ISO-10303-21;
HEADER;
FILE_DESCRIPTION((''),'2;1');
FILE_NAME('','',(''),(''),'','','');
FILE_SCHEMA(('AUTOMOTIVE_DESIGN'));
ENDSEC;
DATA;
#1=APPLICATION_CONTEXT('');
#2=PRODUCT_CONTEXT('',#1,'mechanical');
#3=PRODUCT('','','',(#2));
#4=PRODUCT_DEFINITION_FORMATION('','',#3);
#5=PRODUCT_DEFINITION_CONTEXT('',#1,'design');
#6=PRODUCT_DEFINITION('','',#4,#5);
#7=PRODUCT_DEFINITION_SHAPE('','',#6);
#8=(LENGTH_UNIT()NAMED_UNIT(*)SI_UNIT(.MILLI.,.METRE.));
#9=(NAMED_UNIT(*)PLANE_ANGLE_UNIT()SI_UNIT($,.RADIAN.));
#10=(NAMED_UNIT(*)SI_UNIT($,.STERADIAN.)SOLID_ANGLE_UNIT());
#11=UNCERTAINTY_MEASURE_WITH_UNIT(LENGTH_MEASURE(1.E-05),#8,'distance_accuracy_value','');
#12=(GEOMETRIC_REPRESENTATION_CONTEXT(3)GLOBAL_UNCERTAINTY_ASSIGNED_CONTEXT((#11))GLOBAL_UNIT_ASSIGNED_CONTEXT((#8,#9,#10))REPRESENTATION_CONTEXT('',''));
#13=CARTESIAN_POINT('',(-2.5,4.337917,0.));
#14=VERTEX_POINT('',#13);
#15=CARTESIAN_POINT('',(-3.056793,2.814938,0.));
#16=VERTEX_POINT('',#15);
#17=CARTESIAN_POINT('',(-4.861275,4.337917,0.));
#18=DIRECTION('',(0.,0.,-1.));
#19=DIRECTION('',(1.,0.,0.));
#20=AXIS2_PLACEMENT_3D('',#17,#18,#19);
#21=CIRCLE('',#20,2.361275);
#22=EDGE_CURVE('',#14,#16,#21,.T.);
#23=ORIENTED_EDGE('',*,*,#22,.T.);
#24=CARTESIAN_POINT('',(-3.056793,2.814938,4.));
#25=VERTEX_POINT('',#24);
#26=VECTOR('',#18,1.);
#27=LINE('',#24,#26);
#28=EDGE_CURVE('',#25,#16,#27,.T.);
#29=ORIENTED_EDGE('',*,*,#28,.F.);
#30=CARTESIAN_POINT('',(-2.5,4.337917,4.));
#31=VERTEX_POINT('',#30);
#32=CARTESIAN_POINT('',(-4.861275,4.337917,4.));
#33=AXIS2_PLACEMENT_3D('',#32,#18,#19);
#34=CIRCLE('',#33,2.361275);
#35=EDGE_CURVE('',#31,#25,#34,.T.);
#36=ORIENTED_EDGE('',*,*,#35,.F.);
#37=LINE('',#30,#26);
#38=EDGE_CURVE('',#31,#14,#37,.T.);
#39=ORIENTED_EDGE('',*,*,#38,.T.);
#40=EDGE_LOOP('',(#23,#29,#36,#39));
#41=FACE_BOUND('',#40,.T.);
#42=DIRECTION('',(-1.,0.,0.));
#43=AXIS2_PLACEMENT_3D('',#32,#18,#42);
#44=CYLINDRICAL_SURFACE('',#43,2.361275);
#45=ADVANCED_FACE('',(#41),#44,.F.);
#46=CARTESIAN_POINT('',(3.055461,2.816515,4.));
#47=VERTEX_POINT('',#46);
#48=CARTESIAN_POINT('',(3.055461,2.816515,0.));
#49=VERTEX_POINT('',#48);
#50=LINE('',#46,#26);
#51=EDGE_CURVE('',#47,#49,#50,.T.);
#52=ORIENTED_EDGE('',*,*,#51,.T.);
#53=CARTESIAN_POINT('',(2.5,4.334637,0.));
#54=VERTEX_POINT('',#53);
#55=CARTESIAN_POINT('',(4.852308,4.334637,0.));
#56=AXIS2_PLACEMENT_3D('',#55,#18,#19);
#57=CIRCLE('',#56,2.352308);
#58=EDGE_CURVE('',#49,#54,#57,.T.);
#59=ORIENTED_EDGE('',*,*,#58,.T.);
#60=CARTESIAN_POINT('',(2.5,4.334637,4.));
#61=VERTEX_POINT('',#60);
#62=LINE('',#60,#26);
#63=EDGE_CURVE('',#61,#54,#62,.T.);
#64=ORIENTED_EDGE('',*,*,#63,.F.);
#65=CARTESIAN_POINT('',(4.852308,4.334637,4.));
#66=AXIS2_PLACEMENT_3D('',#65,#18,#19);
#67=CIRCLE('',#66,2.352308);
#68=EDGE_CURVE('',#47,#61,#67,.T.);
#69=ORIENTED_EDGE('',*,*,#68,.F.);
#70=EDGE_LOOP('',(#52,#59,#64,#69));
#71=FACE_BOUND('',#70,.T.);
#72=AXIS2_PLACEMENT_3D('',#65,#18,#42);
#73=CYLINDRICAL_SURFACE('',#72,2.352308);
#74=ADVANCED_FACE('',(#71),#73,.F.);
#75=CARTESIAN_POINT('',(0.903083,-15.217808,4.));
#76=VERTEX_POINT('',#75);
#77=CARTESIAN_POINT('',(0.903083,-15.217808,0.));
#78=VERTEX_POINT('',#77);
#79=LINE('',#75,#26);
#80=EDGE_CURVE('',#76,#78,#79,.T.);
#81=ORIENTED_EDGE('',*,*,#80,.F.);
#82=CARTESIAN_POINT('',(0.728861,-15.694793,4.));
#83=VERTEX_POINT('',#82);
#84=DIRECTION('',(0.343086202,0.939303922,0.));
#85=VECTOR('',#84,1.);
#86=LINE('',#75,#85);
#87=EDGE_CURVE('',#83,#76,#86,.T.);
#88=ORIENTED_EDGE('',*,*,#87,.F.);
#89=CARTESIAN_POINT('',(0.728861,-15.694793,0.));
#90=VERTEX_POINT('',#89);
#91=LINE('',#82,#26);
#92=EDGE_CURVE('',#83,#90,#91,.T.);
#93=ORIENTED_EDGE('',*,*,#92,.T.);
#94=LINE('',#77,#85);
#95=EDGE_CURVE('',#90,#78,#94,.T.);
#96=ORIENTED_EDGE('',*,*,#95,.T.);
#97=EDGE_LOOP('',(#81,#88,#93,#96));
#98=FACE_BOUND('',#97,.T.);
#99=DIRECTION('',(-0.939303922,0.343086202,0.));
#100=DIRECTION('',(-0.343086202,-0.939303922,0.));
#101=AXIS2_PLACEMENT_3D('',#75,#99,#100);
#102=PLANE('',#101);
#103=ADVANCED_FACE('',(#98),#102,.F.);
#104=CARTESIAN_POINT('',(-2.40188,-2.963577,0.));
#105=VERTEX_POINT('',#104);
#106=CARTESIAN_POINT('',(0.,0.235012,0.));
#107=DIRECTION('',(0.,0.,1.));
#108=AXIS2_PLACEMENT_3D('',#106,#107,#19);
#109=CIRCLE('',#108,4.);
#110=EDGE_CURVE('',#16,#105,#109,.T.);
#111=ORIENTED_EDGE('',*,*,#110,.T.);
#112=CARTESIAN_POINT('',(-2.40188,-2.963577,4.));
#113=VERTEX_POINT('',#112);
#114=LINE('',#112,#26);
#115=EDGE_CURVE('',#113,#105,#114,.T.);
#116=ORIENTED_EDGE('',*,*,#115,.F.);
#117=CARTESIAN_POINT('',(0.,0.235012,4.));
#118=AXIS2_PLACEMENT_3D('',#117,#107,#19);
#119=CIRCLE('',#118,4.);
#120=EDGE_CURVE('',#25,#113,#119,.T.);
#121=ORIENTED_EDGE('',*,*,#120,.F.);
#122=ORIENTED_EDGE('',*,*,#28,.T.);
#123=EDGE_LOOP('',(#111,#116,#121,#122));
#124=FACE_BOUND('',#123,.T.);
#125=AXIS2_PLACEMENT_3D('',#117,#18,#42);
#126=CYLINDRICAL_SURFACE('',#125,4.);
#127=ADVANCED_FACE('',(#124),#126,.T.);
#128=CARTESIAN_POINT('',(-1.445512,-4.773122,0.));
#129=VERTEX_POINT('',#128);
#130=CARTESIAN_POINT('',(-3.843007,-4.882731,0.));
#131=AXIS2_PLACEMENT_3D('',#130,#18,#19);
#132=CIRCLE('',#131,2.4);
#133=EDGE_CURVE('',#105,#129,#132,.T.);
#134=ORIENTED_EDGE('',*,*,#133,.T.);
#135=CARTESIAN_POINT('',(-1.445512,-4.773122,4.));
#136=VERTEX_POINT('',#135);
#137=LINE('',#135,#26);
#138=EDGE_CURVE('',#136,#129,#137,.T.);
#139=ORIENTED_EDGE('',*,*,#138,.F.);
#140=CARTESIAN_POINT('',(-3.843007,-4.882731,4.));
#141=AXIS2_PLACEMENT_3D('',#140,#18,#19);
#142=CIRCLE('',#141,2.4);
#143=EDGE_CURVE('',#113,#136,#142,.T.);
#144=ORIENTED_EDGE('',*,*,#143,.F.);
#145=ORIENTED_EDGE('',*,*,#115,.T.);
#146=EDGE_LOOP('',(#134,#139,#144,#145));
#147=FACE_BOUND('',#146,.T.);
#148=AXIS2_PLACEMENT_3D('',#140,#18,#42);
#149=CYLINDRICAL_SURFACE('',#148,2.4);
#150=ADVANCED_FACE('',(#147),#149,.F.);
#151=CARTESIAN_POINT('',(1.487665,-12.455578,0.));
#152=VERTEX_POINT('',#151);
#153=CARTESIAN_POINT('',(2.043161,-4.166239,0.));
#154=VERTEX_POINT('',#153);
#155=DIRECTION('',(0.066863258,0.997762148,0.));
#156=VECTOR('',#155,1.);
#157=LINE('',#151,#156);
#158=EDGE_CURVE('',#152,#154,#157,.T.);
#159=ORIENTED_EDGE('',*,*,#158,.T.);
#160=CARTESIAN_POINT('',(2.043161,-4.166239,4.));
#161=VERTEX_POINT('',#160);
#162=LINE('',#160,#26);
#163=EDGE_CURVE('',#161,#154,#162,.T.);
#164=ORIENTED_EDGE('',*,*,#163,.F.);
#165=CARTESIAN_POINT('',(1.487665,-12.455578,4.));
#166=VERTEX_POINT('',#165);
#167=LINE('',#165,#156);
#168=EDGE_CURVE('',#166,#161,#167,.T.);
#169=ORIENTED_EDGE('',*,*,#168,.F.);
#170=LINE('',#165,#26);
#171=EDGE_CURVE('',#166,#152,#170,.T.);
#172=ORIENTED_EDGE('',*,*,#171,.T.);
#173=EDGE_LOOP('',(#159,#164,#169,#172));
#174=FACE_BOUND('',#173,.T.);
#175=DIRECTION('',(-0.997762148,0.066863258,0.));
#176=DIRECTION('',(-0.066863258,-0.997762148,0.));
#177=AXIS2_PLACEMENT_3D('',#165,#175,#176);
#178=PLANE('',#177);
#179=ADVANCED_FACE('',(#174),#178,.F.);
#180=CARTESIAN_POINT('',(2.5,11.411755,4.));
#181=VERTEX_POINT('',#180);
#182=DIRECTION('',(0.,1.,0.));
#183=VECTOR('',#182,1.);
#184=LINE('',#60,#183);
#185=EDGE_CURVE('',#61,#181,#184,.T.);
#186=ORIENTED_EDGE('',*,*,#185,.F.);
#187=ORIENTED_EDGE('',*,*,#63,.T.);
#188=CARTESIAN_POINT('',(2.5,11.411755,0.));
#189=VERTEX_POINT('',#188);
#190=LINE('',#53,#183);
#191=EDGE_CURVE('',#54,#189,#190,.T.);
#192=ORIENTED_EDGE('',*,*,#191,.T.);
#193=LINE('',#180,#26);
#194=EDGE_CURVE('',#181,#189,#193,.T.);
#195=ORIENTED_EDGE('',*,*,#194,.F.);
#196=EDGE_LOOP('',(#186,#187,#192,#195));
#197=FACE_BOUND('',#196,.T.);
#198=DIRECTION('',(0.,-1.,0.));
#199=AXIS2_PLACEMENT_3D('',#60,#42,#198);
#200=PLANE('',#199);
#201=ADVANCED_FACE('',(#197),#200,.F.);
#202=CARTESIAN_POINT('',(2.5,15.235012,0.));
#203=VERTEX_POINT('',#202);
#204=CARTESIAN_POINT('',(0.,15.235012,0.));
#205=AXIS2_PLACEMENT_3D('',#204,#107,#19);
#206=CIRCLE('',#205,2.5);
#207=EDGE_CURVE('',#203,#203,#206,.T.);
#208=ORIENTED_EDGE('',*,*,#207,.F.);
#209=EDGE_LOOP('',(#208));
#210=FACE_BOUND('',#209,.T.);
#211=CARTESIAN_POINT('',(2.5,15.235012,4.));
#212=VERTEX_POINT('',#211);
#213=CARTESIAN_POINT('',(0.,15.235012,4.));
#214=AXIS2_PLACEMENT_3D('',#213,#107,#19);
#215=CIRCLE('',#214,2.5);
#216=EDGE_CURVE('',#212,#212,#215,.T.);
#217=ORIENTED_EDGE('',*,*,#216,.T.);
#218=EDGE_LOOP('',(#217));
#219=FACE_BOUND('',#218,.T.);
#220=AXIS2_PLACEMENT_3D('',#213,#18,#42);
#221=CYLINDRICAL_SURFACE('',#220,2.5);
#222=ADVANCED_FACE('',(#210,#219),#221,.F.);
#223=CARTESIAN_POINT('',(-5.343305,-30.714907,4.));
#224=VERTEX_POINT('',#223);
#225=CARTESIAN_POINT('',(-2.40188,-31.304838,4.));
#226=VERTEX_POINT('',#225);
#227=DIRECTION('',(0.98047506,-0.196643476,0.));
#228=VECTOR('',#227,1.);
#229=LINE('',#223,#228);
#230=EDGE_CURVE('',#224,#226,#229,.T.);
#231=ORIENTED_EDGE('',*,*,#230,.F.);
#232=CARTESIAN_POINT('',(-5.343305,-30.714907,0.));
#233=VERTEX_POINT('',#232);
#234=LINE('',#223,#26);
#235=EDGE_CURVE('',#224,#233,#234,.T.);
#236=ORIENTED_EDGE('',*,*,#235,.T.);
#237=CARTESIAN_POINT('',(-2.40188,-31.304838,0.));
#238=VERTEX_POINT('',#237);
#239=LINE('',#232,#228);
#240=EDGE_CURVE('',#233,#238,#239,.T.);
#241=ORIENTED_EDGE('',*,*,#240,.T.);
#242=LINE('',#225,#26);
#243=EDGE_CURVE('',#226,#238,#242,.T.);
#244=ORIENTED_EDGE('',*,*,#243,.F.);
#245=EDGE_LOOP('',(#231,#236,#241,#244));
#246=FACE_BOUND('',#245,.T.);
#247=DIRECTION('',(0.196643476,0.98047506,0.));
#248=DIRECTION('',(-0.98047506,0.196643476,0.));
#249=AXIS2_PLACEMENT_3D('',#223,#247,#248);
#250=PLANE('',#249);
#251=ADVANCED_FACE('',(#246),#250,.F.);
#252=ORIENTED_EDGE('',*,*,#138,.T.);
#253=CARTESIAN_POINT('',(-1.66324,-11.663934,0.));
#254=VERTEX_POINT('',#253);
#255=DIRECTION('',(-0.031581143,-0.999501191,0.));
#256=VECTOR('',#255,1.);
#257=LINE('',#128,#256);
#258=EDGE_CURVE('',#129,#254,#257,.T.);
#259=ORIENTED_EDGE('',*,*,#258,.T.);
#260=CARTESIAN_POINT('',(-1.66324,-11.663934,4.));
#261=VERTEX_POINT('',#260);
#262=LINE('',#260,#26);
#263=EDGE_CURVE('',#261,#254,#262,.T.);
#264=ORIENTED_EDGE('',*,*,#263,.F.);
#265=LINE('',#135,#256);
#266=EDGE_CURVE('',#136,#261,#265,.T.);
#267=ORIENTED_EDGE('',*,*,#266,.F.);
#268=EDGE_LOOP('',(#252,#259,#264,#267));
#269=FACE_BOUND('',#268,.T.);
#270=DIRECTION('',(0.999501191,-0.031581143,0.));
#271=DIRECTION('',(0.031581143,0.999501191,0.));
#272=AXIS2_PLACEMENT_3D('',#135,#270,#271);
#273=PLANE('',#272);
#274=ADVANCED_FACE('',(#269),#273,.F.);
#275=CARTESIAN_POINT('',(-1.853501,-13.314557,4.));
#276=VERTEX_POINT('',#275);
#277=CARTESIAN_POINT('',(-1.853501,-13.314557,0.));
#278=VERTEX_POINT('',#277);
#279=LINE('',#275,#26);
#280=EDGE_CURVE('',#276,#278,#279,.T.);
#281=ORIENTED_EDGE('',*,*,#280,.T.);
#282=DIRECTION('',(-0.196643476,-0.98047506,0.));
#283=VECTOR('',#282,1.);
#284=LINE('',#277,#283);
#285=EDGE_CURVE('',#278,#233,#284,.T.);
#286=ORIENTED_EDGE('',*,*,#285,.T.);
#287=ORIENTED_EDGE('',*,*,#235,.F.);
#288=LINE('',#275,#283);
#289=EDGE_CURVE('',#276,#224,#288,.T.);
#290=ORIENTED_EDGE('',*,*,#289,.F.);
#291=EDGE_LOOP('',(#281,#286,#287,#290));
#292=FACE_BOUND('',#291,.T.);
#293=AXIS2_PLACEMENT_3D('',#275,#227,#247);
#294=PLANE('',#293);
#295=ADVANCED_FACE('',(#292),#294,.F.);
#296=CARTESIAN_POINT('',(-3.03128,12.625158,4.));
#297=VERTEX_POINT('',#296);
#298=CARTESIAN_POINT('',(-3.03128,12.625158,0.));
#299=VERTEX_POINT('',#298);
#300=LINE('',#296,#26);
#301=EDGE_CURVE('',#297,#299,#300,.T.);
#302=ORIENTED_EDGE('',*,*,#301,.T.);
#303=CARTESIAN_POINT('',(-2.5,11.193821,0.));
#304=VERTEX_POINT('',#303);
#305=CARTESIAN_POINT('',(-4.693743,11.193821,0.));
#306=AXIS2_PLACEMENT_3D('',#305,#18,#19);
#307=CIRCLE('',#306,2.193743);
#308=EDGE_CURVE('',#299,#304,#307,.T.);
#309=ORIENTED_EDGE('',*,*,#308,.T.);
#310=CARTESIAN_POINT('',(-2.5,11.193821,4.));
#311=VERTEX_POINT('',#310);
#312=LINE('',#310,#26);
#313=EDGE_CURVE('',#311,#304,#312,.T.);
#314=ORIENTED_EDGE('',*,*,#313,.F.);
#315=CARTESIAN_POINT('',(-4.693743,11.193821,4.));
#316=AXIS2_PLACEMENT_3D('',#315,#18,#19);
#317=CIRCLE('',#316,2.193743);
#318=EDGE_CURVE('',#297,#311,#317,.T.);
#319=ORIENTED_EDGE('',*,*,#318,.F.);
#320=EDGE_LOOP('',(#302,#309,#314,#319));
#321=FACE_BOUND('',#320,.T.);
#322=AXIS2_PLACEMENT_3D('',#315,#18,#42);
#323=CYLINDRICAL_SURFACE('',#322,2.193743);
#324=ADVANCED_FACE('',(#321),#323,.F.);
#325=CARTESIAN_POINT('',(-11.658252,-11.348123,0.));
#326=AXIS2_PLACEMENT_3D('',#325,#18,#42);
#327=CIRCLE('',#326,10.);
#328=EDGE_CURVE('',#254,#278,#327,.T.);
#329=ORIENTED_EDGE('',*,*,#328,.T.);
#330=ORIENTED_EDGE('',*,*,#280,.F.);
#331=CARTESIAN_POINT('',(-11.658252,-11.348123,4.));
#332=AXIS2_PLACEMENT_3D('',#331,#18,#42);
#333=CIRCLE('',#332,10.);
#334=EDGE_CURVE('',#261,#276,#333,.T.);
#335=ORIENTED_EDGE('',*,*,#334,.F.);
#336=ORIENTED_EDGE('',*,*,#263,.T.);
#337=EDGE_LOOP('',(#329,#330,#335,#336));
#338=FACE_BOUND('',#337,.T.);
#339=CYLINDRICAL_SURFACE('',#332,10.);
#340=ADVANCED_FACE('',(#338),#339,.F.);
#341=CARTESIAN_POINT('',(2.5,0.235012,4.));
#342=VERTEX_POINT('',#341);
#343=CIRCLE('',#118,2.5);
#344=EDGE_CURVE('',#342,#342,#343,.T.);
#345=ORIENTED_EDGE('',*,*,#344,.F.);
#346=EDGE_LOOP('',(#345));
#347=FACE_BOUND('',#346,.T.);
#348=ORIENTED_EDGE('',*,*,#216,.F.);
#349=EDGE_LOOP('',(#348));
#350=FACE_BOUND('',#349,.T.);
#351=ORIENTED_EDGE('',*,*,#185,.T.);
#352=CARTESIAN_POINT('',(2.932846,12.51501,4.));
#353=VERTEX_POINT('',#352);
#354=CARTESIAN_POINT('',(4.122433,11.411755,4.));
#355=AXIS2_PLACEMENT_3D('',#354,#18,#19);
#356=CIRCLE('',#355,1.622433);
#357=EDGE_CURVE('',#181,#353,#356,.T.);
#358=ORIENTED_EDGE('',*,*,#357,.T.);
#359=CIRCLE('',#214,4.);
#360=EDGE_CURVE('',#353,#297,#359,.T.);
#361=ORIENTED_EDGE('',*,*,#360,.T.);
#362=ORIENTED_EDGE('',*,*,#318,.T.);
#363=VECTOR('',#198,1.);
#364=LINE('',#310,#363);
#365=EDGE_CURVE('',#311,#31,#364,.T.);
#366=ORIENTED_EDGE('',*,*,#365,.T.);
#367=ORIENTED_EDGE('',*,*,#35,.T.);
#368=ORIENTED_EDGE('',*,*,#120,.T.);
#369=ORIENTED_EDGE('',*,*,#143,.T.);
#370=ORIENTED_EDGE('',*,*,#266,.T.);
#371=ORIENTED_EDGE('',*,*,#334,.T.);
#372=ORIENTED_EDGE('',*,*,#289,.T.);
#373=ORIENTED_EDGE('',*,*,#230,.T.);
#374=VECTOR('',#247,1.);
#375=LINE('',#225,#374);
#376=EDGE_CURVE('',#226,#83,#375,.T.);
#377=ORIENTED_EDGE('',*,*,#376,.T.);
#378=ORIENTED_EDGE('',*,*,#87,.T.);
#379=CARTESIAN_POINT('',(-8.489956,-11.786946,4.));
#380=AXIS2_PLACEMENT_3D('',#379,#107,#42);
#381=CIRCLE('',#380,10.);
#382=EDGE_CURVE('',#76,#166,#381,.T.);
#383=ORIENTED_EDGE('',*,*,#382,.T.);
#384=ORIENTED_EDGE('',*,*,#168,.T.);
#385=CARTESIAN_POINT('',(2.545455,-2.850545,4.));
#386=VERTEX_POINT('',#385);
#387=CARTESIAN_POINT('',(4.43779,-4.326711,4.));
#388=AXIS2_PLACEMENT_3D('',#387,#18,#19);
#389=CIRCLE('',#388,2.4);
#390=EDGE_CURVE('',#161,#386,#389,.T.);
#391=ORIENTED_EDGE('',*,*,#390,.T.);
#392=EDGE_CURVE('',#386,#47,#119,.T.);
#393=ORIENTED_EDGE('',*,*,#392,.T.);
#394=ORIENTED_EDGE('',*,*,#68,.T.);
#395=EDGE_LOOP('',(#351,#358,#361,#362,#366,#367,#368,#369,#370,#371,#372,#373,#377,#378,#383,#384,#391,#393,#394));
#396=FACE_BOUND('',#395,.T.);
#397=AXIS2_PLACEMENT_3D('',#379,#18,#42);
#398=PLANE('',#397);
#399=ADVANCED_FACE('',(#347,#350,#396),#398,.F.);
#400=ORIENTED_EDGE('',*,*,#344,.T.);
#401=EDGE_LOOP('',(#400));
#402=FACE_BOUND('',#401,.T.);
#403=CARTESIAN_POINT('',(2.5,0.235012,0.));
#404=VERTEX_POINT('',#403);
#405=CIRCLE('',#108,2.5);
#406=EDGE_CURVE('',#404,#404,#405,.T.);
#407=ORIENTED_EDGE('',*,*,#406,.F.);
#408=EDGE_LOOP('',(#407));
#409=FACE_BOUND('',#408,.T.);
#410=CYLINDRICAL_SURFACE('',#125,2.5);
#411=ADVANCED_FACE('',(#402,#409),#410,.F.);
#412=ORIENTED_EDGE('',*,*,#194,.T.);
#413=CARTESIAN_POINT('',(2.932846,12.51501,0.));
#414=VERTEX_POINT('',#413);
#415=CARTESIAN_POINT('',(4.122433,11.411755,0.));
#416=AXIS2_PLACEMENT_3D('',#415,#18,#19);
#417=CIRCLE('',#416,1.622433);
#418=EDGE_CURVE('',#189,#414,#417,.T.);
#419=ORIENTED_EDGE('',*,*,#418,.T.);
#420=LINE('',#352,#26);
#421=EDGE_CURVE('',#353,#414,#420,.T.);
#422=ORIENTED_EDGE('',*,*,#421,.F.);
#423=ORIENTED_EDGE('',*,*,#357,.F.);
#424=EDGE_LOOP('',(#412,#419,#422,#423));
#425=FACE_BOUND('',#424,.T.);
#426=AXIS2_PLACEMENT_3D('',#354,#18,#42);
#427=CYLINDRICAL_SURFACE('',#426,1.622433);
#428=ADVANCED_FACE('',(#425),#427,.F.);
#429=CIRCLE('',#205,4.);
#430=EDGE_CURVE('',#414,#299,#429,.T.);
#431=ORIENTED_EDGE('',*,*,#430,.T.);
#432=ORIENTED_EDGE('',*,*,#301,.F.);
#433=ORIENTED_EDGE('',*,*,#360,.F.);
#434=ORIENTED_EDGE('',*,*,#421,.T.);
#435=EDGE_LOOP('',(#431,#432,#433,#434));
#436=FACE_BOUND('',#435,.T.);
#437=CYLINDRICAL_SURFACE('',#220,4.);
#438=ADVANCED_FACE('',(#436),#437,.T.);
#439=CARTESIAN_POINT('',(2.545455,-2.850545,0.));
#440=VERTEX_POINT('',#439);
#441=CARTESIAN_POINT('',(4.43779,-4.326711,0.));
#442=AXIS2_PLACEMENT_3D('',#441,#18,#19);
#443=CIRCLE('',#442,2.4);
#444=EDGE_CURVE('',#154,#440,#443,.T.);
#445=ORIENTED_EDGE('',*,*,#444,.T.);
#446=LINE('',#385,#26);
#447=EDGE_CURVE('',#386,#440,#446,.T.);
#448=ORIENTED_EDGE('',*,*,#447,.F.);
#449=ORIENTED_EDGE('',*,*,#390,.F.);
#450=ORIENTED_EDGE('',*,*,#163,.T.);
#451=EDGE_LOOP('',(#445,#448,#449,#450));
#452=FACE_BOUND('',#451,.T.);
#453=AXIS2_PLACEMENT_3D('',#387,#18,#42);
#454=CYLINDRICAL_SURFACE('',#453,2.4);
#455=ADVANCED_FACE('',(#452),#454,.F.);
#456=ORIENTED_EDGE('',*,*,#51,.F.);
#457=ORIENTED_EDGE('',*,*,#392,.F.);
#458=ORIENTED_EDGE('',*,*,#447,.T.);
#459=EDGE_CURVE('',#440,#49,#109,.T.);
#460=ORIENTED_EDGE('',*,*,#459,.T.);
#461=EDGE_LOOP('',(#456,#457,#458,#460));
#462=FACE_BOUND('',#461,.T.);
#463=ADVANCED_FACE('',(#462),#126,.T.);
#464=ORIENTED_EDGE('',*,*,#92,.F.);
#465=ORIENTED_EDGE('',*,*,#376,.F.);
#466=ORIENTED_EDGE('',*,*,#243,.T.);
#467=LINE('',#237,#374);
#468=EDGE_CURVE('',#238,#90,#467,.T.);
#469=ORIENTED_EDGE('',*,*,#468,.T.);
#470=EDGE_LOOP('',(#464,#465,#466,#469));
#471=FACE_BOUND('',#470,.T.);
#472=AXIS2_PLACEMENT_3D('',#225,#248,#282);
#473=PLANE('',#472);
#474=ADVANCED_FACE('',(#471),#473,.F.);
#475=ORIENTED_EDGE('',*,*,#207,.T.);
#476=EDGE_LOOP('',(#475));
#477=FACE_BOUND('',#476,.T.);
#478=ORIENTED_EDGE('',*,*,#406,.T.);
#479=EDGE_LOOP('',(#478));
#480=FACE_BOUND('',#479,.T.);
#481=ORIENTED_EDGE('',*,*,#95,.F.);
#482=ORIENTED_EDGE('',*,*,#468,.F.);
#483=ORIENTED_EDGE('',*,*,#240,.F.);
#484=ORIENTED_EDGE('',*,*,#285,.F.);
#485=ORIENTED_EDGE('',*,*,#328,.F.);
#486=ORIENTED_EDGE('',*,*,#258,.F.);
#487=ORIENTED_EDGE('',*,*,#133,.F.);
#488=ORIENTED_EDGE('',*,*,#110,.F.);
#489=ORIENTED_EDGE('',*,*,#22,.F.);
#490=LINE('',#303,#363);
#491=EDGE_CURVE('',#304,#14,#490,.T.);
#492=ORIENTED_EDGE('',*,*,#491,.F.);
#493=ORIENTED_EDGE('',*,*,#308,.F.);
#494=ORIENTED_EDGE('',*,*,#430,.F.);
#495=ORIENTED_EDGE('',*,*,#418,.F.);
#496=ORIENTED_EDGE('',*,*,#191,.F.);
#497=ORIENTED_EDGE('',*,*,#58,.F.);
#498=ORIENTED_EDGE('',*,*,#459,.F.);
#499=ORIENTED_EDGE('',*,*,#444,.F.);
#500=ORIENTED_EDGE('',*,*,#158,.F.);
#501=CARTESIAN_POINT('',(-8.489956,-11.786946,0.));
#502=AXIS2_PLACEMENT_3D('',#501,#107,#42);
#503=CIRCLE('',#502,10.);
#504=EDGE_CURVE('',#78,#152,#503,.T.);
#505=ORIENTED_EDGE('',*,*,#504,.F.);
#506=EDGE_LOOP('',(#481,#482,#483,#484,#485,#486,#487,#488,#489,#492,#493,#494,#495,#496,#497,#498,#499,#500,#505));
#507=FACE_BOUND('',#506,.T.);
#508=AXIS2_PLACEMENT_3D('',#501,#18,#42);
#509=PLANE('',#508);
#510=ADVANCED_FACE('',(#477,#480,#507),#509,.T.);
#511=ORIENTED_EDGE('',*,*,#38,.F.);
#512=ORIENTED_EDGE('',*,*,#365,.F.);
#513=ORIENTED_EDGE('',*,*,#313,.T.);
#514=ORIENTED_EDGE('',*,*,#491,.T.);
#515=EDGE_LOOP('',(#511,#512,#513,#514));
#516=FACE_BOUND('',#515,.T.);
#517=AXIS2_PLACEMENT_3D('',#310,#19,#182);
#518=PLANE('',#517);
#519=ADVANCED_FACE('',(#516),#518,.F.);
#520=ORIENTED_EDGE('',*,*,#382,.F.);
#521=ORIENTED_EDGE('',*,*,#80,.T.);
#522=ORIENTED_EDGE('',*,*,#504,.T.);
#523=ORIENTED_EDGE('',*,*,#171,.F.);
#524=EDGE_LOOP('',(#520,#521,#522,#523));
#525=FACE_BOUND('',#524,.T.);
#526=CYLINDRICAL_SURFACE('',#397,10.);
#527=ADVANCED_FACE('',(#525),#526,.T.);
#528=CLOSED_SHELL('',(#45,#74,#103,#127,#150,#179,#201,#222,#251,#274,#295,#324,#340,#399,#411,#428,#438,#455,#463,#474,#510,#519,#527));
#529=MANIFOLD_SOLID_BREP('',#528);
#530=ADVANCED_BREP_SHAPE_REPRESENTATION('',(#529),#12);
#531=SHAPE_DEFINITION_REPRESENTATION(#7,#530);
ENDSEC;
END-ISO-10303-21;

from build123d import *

# Parameters (mm, degrees)
SKETCH_1_R      = 2.5
EXTRUDE_1_DEPTH = 4


with BuildPart() as part:
    # 草图1 → 凸台-拉伸1 (new body)
    with BuildSketch(Plane.XY):
        with BuildLine():
            Line((1.48766526, -12.45557816), (2.043160586, -4.166239224))
            ThreePointArc((2.043160586, -4.166239224), (2.195630301, -3.470719779), (2.545454545, -2.850544554))
            ThreePointArc((2.545454545, -2.850544554), (3.98389954, -0.123518663), (3.05546146, 2.81651483))
            ThreePointArc((3.05546146, 2.81651483), (2.643225677, 3.526362386), (2.5, 4.334637277))
            Line((2.5, 4.334637277), (2.5, 11.411754756))
            ThreePointArc((2.5, 11.411754756), (2.612083111, 12.004318679), (2.932846289, 12.515009985))
            ThreePointArc((2.932846289, 12.515009985), (0.073861123, 19.234330318), (-3.03128037, 12.625158038))
            ThreePointArc((-3.03128037, 12.625158038), (-2.637104468, 11.957199077), (-2.5, 11.19382094))
            Line((-2.5, 11.19382094), (-2.5, 4.337916945))
            ThreePointArc((-2.5, 4.337916945), (-2.643562436, 3.527132911), (-3.056792932, 2.814938078))
            ThreePointArc((-3.056792932, 2.814938078), (-3.974554812, -0.215447508), (-2.401879608, -2.963577121))
            ThreePointArc((-2.401879608, -2.963577121), (-1.721128393, -3.761289924), (-1.445511633, -4.773121596))
            Line((-1.445511633, -4.773121596), (-1.663239971, -11.663933953))
            ThreePointArc((-1.663239971, -11.663933953), (-1.724028802, -12.493204072), (-1.853501284, -13.314557278))
            Line((-1.853501284, -13.314557278), (-5.343304788, -30.714907241))
            Line((-5.343304788, -30.714907241), (-2.401879608, -31.304837669))
            Line((-2.401879608, -31.304837669), (0.728861428, -15.694792688))
            Line((0.728861428, -15.694792688), (0.903082999, -15.217807594))
            ThreePointArc((0.903082999, -15.217807594), (1.293351086, -13.857428153), (1.48766526, -12.45557816))
        make_face()
        with Locations((0, 0.235012309)):
            Circle(SKETCH_1_R, mode=Mode.SUBTRACT)
        with Locations((0, 15.235012309)):
            Circle(SKETCH_1_R, mode=Mode.SUBTRACT)
    extrude(amount=EXTRUDE_1_DEPTH)


solid = part.part
